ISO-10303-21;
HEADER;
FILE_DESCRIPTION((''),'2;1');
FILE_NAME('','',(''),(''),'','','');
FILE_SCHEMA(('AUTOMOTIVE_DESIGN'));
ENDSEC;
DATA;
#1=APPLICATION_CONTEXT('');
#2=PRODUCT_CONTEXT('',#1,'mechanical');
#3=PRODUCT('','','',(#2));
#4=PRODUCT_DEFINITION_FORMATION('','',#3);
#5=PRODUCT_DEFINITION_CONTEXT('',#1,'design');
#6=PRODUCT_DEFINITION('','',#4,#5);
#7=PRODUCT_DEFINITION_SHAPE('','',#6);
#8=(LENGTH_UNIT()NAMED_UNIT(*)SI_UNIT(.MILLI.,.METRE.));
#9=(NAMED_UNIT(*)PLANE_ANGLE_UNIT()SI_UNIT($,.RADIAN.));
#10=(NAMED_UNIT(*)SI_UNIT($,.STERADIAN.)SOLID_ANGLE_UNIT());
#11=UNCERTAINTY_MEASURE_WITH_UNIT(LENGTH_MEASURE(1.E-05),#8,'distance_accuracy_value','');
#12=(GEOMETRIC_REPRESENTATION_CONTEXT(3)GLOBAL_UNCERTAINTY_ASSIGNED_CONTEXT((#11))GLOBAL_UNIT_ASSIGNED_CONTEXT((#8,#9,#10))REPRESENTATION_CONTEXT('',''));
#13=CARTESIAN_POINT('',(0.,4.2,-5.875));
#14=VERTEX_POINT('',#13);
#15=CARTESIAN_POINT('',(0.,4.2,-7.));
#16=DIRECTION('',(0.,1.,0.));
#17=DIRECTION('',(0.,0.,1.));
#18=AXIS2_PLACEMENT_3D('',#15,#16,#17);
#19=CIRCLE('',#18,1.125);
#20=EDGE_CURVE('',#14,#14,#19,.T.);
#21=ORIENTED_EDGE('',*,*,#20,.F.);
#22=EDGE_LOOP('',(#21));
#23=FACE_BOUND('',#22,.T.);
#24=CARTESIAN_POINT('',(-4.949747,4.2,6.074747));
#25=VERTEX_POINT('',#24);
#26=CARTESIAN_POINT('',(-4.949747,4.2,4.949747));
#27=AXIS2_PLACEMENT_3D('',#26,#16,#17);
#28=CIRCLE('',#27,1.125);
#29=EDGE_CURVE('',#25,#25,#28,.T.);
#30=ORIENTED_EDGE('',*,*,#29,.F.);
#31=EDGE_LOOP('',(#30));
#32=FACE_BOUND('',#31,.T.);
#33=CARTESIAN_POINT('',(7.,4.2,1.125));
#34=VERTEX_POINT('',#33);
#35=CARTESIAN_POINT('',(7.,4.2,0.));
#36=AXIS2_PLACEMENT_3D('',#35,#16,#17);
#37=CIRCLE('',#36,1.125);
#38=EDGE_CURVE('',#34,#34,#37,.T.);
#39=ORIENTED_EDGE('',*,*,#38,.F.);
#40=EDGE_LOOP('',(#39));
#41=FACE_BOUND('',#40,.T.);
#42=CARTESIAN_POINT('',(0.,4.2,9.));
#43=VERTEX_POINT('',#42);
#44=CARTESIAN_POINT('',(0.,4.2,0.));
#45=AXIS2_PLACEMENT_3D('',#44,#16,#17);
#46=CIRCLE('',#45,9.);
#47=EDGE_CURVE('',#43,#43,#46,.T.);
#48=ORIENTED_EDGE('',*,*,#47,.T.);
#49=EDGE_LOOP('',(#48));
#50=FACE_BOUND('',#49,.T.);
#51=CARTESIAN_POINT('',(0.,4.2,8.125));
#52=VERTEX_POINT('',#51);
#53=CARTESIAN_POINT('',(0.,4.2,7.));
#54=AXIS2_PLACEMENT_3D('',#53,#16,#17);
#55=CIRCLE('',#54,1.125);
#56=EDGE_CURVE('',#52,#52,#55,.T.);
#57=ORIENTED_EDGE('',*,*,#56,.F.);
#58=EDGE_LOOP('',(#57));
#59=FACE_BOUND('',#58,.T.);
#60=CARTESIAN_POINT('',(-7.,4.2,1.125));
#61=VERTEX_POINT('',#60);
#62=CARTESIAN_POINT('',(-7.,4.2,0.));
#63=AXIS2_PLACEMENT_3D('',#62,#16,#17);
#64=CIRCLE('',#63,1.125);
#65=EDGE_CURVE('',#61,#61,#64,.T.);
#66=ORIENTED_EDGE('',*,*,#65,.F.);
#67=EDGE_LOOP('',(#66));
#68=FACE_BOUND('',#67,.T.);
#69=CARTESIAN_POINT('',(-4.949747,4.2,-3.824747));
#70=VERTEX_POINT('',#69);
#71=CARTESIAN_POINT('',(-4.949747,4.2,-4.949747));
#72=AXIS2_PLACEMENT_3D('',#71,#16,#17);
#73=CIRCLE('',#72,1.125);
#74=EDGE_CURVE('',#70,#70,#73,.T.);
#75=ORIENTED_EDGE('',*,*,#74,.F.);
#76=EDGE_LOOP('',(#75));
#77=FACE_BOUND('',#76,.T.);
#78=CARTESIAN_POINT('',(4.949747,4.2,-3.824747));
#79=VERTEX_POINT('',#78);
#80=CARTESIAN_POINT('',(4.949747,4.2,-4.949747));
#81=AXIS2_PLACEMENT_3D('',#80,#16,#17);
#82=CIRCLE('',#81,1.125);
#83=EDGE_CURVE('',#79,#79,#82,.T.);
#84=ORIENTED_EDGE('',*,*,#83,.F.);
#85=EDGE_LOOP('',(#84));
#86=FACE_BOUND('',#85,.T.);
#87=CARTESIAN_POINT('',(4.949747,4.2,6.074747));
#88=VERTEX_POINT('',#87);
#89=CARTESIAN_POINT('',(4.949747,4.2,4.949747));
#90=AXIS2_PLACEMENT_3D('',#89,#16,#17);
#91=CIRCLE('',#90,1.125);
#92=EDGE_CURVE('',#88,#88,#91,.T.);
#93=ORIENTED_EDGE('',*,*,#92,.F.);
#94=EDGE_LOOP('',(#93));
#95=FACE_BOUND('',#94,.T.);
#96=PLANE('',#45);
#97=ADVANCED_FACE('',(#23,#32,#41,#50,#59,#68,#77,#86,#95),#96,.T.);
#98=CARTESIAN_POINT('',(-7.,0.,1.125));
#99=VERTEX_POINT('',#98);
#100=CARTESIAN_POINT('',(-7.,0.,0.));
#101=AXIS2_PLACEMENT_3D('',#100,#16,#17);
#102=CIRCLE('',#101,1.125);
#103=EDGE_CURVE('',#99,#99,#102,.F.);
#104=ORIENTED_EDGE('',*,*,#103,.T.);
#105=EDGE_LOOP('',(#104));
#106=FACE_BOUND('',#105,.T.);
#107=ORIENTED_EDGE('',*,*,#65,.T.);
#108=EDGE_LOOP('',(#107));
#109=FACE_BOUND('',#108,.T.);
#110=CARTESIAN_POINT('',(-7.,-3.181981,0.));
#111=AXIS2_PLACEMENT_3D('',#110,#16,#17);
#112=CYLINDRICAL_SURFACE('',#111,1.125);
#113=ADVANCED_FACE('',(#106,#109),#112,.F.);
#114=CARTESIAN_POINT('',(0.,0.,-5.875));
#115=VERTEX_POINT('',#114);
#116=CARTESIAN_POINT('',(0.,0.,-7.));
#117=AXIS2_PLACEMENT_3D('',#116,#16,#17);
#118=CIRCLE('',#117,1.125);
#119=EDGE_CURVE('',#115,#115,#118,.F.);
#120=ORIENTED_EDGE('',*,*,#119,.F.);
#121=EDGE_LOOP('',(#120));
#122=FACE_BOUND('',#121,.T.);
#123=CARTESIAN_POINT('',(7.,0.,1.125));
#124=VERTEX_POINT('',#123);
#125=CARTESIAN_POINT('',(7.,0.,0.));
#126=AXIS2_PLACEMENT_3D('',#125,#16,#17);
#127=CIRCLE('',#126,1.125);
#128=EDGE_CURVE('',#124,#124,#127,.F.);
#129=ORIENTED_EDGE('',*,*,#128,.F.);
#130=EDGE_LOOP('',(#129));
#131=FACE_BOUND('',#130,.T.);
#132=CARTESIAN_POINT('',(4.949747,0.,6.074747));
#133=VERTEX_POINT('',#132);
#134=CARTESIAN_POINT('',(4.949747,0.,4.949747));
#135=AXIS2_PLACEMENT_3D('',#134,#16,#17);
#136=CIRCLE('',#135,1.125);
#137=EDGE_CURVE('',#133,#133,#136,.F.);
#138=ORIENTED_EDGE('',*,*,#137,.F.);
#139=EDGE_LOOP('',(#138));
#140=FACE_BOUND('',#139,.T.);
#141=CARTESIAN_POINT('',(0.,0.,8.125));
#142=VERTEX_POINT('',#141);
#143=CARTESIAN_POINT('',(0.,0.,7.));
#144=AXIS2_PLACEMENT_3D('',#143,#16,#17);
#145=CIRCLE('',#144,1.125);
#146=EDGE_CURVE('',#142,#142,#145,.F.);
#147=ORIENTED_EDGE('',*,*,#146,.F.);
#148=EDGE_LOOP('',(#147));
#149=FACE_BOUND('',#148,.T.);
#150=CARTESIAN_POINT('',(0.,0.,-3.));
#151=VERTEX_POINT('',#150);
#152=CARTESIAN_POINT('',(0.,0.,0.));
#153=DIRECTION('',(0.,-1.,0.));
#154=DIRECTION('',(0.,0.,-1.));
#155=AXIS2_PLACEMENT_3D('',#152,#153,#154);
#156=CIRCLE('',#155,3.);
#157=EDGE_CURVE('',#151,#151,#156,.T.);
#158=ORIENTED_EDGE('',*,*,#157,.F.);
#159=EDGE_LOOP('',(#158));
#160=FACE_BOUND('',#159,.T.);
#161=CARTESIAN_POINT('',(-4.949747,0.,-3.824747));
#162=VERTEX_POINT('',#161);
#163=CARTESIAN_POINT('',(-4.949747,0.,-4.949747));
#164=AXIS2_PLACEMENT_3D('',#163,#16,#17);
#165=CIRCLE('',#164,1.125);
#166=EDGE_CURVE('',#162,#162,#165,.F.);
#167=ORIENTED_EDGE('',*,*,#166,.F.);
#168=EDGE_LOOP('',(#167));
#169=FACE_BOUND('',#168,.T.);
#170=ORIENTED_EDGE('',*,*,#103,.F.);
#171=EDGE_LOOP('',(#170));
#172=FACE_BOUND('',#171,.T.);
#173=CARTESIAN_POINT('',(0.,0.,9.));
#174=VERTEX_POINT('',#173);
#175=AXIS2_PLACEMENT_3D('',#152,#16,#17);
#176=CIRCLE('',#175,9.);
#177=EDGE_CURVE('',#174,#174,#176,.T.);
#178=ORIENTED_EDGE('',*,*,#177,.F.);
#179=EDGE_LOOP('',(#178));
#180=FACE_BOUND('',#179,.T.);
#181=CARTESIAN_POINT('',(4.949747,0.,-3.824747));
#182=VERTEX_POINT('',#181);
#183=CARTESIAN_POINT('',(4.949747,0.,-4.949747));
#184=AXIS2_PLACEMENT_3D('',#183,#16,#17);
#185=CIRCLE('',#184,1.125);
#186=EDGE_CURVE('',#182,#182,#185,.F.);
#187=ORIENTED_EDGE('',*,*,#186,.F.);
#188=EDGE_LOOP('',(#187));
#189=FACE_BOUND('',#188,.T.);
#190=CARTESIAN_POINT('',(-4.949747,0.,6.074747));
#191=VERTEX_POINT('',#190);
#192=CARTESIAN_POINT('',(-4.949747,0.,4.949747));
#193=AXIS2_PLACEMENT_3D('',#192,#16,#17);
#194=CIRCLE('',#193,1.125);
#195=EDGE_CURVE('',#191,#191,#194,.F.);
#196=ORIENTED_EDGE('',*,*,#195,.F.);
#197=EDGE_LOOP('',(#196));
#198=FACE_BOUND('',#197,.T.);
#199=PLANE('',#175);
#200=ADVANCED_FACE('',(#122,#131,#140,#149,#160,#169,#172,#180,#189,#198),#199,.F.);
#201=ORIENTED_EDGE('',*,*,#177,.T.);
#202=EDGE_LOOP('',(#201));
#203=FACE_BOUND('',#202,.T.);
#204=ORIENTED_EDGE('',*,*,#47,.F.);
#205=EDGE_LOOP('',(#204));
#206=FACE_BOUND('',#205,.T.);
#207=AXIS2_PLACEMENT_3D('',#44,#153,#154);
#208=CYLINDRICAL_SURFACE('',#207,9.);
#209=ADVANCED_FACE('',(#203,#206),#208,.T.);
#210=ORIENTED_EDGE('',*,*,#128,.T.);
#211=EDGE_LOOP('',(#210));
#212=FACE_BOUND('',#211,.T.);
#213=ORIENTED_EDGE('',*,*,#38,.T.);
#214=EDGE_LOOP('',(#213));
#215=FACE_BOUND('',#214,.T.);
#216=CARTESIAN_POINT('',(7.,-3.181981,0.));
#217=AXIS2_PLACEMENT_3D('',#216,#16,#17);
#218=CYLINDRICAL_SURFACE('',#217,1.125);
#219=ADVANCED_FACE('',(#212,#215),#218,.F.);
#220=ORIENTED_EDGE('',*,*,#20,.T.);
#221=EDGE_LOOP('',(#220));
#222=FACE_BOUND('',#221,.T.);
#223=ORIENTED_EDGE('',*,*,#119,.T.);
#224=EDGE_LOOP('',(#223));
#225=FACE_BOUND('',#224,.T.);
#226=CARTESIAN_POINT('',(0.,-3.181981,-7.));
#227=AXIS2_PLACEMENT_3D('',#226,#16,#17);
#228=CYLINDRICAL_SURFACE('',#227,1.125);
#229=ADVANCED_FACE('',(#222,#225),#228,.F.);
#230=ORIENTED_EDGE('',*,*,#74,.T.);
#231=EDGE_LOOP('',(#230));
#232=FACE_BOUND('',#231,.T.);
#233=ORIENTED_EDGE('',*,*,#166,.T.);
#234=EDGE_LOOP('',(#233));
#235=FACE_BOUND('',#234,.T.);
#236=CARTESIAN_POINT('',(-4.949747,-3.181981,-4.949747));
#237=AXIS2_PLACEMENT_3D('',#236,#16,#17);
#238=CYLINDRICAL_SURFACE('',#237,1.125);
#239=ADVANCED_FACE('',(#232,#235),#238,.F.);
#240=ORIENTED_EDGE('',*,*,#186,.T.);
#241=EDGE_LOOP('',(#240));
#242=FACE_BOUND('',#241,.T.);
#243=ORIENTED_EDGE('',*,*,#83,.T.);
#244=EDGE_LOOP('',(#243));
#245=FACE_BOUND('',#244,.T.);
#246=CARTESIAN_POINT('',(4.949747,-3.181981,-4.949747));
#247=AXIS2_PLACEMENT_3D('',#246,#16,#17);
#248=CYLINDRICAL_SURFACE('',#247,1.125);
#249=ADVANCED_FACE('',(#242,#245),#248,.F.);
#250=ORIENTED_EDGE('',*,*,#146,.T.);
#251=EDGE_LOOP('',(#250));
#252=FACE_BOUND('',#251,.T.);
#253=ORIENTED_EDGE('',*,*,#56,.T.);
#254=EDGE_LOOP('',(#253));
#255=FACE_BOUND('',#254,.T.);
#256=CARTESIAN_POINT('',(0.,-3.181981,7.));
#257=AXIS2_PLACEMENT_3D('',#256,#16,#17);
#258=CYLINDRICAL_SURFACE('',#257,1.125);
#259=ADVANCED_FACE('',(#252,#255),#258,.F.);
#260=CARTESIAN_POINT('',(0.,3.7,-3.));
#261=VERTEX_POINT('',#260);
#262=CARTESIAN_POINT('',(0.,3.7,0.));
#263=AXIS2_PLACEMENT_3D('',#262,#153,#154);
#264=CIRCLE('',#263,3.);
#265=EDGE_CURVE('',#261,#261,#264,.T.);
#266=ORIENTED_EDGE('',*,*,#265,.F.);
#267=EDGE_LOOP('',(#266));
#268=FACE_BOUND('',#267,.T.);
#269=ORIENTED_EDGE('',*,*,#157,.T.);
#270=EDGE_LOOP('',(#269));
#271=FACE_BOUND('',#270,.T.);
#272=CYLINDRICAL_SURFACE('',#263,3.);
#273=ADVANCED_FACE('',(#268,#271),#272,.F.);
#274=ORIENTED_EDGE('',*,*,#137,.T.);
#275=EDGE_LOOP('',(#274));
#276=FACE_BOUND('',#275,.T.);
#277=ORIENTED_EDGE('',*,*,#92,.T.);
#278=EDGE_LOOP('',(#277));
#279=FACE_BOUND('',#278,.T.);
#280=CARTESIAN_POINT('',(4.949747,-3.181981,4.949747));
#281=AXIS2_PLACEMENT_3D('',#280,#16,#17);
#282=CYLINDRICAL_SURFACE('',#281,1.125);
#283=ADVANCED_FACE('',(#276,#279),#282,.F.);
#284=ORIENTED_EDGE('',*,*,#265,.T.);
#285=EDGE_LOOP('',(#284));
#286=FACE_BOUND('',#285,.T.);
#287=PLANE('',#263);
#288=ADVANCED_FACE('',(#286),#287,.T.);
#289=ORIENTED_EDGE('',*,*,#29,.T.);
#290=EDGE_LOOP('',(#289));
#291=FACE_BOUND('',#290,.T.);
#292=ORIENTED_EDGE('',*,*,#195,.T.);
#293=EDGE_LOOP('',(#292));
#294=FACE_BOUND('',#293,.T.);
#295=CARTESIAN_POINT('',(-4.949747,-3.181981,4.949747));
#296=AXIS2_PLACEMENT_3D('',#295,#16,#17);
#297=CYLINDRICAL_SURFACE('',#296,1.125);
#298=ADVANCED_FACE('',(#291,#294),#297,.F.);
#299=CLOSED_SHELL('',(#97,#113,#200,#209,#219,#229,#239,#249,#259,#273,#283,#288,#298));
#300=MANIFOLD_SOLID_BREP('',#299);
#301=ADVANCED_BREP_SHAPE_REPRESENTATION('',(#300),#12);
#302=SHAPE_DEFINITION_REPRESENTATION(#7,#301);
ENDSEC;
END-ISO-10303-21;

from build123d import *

# Parameters (mm, degrees)
SKETCH1_R                = 9
BRACKETMOUNT_DEPTH       = 4.2
SKETCH2_R                = 1.125
BRACKET_MOUNTHOLES_DEPTH = 4.2
SKETCH3_R                = 3
AXLEHOLE_DEPTH           = 3.7


with BuildPart() as part:
    # Sketch1 → BracketMount (new body)
    with BuildSketch(Plane(origin=(0, 0, 0), x_dir=(1, 0, 0), z_dir=(0, 1, 0))):
        with Locations(Location((0, 0, 0), (0, 0, 270))):
            Circle(SKETCH1_R)
    extrude(amount=BRACKETMOUNT_DEPTH)

    # Sketch2 → Bracket-MountHoles (cut)
    with BuildSketch(Plane(origin=(0, 4.2, 0), x_dir=(1, 0, 0), z_dir=(0, 1, 0))):
        with Locations(Location((0, 7, 0), (0, 0, 270))):
            Circle(SKETCH2_R)
        with Locations(Location((4.949747468, 4.949747468, 0), (0, 0, 270))):
            Circle(SKETCH2_R)
        with Locations(Location((7, 0, 0), (0, 0, 270))):
            Circle(SKETCH2_R)
        with Locations(Location((4.949747468, -4.949747468, 0), (0, 0, 270))):
            Circle(SKETCH2_R)
        with Locations(Location((0, -7, 0), (0, 0, 270))):
            Circle(SKETCH2_R)
        with Locations(Location((-4.949747468, -4.949747468, 0), (0, 0, 270))):
            Circle(SKETCH2_R)
        with Locations(Location((-7, 0, 0), (0, 0, 270))):
            Circle(SKETCH2_R)
        with Locations(Location((-4.949747468, 4.949747468, 0), (0, 0, 270))):
            Circle(SKETCH2_R)
    extrude(amount=-BRACKET_MOUNTHOLES_DEPTH, mode=Mode.SUBTRACT)

    # Sketch3 → AxleHole (cut)
    with BuildSketch(Plane.XZ):
        with Locations(Location((0, 0, 0), (0, 0, 270))):
            Circle(SKETCH3_R)
    extrude(amount=-AXLEHOLE_DEPTH, mode=Mode.SUBTRACT)


solid = part.part
